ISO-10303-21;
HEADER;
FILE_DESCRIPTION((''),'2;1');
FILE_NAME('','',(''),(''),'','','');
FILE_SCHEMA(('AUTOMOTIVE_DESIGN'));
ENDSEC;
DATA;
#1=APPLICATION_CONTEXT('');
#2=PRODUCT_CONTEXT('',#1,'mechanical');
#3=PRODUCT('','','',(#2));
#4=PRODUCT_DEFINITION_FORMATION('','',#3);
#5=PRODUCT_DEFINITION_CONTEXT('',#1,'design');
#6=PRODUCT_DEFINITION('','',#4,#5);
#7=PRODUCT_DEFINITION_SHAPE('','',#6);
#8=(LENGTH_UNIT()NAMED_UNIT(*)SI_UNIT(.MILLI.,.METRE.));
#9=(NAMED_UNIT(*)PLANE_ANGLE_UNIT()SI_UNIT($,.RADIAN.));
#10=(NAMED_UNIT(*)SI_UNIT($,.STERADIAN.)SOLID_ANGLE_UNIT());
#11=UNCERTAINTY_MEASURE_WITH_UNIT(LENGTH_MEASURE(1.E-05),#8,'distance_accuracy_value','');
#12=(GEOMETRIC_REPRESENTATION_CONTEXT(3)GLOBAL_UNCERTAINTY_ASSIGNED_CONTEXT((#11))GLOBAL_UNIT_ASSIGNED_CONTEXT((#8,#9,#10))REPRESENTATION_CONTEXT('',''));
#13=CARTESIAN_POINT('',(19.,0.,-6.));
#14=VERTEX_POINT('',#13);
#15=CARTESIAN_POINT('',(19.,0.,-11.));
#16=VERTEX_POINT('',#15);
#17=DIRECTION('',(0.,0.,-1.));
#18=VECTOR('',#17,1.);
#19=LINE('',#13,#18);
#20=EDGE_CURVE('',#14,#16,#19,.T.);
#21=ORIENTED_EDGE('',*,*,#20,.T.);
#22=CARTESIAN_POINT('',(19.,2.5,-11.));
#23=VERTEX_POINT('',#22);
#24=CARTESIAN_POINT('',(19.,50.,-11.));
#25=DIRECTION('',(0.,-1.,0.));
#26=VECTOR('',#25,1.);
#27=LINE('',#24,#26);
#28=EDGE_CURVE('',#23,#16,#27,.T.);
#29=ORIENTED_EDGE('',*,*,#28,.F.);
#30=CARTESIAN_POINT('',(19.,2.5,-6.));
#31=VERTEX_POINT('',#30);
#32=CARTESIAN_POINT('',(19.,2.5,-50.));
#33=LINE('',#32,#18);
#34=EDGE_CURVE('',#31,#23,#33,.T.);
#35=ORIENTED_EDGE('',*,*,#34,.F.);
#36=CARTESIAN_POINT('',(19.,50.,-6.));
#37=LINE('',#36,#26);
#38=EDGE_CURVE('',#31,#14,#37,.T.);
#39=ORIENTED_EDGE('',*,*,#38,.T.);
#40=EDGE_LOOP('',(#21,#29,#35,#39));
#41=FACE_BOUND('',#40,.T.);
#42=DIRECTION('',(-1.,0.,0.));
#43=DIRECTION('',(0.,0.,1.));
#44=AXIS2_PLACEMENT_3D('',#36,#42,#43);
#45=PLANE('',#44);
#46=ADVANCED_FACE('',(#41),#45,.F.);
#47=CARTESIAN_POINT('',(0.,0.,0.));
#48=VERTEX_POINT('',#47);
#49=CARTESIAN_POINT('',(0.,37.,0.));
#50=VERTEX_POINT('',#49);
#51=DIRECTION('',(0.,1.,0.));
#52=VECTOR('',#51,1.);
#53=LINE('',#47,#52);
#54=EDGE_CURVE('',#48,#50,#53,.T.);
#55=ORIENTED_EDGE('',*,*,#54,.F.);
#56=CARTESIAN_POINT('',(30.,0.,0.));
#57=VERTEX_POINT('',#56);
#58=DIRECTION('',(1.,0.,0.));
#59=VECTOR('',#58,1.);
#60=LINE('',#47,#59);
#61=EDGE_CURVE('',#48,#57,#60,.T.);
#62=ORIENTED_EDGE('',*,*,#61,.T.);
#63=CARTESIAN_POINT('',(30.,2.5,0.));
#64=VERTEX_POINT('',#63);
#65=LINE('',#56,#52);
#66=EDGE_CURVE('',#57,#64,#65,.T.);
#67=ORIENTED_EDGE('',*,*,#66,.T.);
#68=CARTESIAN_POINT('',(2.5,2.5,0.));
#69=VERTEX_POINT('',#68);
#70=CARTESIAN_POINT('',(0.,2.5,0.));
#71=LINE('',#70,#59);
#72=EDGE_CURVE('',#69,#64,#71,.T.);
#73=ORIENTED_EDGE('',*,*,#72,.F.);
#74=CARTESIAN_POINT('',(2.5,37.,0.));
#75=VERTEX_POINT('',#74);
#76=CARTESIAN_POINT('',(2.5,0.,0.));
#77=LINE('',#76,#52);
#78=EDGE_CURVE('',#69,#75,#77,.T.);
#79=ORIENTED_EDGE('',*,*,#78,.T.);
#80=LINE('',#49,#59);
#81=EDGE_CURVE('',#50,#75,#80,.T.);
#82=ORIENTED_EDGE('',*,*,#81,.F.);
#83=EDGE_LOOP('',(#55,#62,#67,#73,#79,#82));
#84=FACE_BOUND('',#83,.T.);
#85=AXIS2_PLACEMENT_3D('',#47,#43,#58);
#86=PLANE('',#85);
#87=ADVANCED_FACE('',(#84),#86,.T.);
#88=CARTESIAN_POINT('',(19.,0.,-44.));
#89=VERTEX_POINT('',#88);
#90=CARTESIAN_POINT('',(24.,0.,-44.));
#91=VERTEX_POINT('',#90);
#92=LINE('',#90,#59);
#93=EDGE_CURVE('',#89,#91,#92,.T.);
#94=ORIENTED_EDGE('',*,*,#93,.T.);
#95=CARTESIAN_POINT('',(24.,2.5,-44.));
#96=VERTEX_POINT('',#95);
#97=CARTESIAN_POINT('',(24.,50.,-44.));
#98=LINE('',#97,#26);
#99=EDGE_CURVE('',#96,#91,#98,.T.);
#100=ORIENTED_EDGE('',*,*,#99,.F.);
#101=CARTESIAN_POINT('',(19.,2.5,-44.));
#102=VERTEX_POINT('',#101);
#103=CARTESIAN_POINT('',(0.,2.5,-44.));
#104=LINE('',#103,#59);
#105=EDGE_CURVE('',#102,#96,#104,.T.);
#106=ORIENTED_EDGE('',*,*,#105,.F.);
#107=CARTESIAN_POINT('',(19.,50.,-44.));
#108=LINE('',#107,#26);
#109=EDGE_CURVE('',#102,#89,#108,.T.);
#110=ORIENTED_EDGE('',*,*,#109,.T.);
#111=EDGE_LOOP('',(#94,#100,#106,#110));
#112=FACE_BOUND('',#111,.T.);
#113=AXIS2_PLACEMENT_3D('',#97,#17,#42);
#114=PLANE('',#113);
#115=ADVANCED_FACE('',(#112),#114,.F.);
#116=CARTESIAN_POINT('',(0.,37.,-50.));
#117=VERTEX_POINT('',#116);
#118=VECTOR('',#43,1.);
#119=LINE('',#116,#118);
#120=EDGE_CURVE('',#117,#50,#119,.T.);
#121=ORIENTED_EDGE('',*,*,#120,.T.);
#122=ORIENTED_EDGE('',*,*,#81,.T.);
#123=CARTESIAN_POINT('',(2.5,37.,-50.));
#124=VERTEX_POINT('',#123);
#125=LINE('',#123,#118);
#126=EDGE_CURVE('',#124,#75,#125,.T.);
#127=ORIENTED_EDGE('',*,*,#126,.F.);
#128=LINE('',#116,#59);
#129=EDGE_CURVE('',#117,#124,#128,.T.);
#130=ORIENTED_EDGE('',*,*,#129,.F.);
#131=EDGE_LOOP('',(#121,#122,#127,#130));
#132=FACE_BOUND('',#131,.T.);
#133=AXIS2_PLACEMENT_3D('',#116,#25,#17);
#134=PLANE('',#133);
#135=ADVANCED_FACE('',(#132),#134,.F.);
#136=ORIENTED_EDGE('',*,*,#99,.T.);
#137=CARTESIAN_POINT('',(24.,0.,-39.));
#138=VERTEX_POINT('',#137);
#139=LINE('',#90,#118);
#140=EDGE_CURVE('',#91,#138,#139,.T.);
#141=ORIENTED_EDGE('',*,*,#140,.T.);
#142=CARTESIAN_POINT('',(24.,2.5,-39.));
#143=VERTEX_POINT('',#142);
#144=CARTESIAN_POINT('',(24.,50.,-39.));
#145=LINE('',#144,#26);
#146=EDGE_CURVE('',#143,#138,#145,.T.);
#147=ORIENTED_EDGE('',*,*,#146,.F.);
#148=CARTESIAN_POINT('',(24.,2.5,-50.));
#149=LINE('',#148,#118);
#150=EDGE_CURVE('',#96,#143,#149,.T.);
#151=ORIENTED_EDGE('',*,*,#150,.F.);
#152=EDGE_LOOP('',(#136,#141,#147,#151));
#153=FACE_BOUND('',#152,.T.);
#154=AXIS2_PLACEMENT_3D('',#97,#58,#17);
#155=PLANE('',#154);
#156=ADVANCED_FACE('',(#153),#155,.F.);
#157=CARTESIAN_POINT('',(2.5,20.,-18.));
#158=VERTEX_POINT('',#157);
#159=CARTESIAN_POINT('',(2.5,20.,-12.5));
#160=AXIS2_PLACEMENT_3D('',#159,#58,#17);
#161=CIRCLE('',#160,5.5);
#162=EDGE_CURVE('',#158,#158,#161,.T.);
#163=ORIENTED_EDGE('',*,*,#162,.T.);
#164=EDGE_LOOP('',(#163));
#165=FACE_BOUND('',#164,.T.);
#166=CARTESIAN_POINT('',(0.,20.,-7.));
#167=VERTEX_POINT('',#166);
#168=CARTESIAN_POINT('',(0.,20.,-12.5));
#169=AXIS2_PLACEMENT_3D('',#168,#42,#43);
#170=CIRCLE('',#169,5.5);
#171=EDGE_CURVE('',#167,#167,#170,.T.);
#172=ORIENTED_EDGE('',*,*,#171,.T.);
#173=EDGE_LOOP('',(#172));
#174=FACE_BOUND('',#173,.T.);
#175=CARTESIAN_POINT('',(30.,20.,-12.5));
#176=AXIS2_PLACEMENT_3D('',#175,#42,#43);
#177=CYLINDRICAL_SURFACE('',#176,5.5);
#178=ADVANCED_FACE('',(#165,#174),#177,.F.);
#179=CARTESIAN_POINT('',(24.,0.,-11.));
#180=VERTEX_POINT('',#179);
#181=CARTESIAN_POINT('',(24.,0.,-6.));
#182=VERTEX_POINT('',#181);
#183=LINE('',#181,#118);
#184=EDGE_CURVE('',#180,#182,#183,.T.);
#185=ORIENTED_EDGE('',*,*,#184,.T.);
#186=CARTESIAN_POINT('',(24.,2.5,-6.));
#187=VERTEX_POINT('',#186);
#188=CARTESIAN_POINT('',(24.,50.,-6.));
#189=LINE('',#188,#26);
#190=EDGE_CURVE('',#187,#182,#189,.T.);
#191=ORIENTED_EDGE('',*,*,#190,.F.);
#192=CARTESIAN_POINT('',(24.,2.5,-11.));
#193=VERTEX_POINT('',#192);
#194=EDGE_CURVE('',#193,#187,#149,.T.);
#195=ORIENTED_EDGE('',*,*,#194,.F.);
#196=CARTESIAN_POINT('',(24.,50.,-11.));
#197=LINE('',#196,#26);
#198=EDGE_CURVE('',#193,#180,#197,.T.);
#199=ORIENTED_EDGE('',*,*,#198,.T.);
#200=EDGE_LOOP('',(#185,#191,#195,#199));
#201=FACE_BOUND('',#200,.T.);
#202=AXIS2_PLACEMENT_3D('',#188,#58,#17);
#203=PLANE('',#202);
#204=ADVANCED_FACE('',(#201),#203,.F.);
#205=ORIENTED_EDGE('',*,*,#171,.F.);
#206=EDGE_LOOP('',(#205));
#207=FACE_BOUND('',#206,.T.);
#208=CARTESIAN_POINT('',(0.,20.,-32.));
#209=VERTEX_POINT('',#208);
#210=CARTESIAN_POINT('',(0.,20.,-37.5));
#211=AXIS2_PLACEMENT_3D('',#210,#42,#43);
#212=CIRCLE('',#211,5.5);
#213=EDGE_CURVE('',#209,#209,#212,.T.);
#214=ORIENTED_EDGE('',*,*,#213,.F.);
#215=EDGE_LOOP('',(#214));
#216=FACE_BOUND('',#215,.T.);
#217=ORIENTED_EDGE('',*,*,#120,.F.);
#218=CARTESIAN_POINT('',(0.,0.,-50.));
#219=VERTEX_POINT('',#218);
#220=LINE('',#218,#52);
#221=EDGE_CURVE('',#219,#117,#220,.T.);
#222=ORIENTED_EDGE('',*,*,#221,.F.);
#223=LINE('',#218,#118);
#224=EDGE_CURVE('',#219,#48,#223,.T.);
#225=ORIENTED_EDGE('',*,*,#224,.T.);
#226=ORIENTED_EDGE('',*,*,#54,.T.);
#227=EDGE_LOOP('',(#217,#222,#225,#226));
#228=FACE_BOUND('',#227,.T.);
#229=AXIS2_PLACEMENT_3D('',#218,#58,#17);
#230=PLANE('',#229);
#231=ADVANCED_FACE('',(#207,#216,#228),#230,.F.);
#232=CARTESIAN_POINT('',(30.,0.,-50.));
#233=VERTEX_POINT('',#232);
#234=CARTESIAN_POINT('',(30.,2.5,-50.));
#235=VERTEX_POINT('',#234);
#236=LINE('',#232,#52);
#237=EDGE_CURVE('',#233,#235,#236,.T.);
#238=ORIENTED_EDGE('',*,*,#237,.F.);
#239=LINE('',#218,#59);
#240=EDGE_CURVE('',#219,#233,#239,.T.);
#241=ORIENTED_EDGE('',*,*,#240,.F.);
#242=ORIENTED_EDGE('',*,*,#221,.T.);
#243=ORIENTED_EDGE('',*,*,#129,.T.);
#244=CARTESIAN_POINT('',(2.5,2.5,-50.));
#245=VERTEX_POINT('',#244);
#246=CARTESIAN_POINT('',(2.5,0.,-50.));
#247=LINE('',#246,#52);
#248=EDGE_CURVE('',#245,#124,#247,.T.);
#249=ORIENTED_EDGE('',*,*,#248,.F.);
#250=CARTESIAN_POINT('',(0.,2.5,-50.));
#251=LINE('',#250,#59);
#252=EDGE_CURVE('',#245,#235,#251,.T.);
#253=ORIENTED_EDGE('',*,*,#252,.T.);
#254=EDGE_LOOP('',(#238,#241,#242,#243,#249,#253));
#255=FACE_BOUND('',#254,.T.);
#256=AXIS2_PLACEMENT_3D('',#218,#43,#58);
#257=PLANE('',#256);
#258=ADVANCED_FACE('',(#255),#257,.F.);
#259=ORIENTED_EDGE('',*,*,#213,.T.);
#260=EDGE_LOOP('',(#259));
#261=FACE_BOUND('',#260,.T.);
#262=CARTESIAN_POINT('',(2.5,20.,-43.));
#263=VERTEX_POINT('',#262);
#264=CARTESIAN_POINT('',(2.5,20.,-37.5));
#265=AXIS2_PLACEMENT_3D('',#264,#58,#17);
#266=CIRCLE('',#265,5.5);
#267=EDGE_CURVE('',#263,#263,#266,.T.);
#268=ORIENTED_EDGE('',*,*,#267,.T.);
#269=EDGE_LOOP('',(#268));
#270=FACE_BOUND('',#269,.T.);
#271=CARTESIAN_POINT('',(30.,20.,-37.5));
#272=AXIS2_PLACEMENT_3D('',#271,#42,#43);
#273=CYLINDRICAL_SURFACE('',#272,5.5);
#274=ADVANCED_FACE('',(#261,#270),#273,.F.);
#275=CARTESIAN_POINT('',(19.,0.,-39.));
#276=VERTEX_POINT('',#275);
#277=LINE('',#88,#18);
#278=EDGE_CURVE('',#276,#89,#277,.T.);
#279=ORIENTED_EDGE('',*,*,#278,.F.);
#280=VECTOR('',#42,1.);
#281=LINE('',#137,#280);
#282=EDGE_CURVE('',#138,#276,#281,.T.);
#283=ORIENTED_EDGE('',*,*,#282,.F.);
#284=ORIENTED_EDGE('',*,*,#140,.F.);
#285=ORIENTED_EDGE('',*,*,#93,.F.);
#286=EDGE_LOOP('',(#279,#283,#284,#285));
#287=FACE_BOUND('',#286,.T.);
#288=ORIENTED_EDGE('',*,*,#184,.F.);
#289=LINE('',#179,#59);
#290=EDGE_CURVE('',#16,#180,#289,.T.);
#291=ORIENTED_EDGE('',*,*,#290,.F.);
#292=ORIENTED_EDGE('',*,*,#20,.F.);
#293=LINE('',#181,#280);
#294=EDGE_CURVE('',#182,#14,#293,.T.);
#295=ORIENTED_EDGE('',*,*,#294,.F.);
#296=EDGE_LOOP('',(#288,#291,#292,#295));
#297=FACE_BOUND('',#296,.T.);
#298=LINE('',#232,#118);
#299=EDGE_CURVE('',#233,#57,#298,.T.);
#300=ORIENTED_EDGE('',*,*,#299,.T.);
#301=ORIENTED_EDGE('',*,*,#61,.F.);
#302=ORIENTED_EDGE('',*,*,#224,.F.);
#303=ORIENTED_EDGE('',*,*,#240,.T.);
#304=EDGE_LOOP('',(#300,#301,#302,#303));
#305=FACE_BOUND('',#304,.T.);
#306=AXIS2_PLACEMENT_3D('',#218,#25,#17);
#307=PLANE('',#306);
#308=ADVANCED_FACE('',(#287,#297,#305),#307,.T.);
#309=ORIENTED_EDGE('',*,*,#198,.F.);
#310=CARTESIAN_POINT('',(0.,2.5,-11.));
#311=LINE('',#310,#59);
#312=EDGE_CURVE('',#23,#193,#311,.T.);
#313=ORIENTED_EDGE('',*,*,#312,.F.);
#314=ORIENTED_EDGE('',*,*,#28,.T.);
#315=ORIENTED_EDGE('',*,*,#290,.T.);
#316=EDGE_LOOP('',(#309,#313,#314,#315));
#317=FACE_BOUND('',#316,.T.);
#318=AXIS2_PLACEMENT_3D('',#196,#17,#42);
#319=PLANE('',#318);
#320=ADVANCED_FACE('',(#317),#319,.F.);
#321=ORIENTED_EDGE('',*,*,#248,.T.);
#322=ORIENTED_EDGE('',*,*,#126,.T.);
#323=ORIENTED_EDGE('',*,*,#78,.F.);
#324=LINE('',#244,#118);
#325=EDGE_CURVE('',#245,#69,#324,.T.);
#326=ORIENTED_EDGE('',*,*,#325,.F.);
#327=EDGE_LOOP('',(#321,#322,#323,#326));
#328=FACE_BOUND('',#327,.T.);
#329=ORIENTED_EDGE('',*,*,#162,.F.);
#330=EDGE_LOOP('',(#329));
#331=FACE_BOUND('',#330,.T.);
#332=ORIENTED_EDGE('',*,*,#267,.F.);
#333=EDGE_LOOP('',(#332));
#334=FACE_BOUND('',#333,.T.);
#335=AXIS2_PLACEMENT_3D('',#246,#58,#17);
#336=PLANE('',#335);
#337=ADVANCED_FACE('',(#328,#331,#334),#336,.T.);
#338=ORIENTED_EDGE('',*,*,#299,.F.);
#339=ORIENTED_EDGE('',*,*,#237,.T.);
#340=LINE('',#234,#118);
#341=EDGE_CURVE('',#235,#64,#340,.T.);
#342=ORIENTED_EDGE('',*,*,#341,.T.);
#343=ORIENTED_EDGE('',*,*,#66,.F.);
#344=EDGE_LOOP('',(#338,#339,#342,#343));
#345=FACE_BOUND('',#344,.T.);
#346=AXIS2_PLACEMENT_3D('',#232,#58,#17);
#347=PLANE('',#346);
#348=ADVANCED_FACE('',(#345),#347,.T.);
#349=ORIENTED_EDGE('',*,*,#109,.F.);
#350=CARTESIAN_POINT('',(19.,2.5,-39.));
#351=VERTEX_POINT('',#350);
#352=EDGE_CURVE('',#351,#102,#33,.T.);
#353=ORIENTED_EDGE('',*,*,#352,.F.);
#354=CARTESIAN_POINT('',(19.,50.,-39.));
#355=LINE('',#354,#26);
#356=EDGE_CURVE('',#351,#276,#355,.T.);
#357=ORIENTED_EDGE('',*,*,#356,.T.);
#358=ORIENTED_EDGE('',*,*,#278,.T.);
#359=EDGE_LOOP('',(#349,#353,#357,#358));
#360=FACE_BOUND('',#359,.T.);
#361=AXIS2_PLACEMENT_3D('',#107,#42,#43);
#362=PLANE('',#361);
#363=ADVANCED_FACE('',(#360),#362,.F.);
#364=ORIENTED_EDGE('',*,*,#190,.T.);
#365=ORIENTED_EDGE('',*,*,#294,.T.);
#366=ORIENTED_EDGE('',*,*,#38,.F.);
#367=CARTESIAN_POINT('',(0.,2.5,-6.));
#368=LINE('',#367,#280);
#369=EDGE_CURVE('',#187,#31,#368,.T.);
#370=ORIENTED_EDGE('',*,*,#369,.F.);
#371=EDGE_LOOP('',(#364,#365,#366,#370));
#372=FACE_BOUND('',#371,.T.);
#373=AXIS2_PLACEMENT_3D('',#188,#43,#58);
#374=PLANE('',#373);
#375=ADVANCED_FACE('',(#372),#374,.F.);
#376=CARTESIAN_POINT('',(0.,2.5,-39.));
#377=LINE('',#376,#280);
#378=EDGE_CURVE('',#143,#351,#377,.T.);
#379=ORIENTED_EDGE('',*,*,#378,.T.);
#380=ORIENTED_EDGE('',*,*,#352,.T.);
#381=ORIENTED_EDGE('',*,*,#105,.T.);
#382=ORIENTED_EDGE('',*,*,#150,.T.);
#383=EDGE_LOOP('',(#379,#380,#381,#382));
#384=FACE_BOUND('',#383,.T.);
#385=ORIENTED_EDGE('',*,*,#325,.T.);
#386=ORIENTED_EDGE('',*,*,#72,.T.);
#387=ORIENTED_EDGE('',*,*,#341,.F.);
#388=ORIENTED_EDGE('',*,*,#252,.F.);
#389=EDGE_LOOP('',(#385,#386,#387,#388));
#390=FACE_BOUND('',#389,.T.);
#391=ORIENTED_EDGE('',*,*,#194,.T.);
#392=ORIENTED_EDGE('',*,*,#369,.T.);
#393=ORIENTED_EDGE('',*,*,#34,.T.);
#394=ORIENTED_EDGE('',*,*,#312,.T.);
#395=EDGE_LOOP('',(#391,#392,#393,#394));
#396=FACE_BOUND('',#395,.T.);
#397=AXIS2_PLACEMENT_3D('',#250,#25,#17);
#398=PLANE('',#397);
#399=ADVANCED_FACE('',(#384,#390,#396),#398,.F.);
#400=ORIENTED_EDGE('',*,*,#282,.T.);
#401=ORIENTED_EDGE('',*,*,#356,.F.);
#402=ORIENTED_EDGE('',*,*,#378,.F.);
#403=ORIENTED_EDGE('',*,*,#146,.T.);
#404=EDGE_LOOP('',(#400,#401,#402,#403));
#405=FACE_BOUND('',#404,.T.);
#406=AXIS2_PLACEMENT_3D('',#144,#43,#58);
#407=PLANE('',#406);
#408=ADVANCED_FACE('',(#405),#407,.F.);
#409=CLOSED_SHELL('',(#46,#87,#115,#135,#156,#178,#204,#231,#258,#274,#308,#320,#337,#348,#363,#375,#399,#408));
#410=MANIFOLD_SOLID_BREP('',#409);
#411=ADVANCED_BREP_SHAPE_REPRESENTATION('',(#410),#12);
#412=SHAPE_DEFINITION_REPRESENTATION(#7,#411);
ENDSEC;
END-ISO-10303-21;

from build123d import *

# Parameters (mm, degrees)
BOSS_EXTRUDE1_DEPTH = 50
SKETCH2_R           = 5.5
CUT_EXTRUDE1_DEPTH  = 70.057946682
SKETCH3_W           = 5
SKETCH3_H           = 5
CUT_EXTRUDE2_DEPTH  = 50


with BuildPart() as part:
    # Sketch1 → Boss-Extrude1 (new body)
    with BuildSketch(Plane.XY):
        Polygon((0, 4.805194805), (0, 0), (4.805194805, 0), (30, 0), (30, 2.5), (2.5, 2.5), (2.5, 37), (0, 37), align=None)
    extrude(amount=-BOSS_EXTRUDE1_DEPTH)

    # Sketch2 → Cut-Extrude1 (cut, through all)
    with BuildSketch(Plane.ZY):
        with Locations((-37.5, 20)):
            Circle(SKETCH2_R)
        with Locations((-12.5, 20)):
            Circle(SKETCH2_R)
    extrude(amount=-CUT_EXTRUDE1_DEPTH, mode=Mode.SUBTRACT)

    # Sketch3 → Cut-Extrude2 (cut)
    with BuildSketch(Plane.XZ):
        with Locations((21.5, -8.5)):
            Rectangle(SKETCH3_W, SKETCH3_H)
        with Locations((21.5, -41.5)):
            Rectangle(SKETCH3_W, SKETCH3_H)
    extrude(amount=-CUT_EXTRUDE2_DEPTH, mode=Mode.SUBTRACT)


solid = part.part
